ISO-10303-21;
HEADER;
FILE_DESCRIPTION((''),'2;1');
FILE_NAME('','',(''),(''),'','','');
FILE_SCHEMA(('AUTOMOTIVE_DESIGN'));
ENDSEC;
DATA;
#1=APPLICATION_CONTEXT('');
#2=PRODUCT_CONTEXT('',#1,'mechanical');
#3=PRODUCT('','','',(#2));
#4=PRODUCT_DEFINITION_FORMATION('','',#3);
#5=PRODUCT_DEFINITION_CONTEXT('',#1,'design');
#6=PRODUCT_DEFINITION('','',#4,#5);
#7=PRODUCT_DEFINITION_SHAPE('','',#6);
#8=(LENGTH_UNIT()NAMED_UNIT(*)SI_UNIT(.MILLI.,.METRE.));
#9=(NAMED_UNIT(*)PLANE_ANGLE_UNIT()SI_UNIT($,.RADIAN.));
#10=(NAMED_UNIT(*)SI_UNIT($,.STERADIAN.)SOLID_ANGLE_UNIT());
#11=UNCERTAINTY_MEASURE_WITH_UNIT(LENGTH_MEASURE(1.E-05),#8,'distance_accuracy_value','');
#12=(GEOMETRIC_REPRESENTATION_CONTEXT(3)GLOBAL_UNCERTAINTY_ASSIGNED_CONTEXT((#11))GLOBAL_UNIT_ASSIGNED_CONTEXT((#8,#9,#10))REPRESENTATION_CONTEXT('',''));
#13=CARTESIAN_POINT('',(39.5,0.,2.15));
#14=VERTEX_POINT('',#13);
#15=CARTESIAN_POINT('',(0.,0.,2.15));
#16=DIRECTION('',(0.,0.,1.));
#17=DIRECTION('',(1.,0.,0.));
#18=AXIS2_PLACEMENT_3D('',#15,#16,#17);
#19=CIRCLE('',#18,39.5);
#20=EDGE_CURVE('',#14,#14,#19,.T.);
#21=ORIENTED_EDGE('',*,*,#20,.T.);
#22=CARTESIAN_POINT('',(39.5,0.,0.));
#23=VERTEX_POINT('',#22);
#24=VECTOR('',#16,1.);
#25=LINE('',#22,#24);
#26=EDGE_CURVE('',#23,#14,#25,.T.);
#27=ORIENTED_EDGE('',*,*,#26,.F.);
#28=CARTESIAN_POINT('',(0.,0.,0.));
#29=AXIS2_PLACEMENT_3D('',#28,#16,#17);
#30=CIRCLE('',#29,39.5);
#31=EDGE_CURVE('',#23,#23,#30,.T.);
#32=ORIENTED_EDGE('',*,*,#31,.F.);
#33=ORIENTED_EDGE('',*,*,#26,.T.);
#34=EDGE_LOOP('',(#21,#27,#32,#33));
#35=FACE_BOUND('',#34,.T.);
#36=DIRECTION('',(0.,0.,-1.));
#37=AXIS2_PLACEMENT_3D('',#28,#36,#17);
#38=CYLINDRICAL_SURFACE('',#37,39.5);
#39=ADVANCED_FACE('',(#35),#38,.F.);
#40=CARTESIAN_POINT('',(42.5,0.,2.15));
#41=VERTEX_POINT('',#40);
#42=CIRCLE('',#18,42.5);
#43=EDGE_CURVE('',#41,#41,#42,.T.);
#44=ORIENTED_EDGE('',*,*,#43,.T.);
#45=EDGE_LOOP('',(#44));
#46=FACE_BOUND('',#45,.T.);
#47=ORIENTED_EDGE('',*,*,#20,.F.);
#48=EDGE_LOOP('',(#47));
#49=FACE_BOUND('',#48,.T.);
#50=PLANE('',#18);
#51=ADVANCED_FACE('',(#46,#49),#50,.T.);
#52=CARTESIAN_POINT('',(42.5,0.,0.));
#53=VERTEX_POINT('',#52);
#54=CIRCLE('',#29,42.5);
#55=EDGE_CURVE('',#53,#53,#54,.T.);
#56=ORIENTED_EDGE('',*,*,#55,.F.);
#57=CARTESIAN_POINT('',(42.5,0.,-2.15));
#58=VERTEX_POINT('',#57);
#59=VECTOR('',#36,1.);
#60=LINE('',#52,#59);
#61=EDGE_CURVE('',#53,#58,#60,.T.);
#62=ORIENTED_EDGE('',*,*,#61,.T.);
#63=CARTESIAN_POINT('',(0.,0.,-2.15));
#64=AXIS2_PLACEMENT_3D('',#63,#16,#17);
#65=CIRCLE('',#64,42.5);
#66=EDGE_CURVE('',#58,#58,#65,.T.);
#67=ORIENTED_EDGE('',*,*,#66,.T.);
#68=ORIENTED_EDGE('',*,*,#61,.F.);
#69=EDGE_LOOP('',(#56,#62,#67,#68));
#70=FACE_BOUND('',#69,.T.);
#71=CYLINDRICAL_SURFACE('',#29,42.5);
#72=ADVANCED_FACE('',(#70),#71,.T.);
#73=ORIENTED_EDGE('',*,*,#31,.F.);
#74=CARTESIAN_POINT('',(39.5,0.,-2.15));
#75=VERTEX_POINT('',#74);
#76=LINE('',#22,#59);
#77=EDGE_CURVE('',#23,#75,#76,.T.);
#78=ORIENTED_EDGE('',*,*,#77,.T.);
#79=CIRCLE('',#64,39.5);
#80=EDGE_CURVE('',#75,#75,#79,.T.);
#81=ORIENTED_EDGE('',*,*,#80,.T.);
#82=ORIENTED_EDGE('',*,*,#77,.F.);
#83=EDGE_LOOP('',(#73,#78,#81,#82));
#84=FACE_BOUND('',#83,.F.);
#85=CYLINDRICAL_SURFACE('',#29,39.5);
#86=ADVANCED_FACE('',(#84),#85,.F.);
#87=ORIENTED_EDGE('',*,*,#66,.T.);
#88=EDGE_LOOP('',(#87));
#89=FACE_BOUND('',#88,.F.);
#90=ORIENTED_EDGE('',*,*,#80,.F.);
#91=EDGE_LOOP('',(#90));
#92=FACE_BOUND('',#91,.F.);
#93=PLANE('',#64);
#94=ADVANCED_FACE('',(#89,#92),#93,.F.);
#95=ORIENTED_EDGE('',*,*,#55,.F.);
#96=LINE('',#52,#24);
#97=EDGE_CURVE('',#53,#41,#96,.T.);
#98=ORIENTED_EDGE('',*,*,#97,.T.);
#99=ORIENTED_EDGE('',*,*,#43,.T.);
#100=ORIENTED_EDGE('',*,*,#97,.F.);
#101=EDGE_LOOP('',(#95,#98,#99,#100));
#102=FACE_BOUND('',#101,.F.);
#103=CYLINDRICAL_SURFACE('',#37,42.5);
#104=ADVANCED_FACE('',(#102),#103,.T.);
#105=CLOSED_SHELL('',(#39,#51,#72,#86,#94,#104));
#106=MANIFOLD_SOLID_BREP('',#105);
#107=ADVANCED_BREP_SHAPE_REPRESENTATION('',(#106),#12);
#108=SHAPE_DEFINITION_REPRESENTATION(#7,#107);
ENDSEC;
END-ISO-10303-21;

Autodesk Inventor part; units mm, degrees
ref_plane "YZ Plane" through (0, 0, 0) normal (1, 0, 0) x (0, 1, 0)
ref_plane "XZ Plane" through (0, 0, 0) normal (0, 1, 0) x (-1, 0, 0)
ref_plane "XY Plane" through (0, 0, 0) normal (0, 0, 1) x (1, 0, 0)
sketch "Sketch1" plane through (0, 0, 0) normal (0, 0, 1) x (1, 0, 0)
  circle A0 centre (0, 0) radius 42.5
  circle A1 centre (0, 0) radius 39.5
  dimension "d0" = 85
  dimension "d1" = 79
extrude "Extrusion1" add sketch "Sketch1" along normal mid plane 4.3
properties part number "piston_ring"
